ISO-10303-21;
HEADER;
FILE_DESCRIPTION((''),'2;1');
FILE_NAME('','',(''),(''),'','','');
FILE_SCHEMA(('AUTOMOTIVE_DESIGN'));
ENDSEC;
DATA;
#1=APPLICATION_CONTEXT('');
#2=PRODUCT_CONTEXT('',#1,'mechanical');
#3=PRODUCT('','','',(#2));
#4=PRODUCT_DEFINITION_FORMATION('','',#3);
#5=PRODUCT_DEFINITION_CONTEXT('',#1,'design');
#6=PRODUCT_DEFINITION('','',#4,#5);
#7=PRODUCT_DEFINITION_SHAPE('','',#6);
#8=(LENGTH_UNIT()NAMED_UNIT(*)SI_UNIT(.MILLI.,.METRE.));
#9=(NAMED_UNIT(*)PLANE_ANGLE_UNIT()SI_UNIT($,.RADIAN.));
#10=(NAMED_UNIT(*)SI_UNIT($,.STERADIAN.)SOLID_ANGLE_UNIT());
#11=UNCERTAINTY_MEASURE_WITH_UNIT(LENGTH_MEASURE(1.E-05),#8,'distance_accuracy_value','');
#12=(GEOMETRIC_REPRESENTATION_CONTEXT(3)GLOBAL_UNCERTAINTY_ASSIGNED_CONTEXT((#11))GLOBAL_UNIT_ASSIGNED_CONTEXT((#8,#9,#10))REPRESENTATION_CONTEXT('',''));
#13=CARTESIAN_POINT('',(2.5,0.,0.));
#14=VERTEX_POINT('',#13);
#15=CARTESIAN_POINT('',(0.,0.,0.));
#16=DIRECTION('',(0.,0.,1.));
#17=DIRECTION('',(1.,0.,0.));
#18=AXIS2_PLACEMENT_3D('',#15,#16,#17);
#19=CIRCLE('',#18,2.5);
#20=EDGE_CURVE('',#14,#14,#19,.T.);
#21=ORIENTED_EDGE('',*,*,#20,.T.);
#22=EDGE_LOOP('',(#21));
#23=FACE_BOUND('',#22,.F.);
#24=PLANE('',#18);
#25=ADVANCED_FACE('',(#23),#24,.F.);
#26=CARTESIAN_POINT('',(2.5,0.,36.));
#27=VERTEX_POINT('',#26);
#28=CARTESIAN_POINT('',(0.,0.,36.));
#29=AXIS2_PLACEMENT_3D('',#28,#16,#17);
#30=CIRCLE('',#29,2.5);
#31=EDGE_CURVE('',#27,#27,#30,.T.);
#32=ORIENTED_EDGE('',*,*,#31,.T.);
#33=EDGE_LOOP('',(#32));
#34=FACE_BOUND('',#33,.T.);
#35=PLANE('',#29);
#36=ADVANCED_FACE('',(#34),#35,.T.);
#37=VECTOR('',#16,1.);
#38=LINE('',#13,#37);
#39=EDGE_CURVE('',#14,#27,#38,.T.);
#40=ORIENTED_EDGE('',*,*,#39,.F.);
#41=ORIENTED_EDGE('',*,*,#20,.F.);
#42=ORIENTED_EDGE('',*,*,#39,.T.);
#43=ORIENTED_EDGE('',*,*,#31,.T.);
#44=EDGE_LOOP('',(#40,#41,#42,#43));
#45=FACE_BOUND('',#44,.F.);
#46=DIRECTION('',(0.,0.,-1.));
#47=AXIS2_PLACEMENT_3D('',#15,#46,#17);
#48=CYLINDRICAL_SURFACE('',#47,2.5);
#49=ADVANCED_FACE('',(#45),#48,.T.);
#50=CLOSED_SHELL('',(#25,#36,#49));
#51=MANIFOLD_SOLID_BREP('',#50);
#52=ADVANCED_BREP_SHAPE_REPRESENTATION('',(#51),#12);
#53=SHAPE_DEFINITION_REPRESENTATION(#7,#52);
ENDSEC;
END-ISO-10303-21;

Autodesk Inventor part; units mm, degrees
ref_plane "YZ Plane" through (0, 0, 0) normal (1, 0, 0) x (0, 1, 0)
ref_plane "XZ Plane" through (0, 0, 0) normal (0, 1, 0) x (-1, 0, 0)
ref_plane "XY Plane" through (0, 0, 0) normal (0, 0, 1) x (1, 0, 0)
sketch "Boceto1" plane through (0, 0, 0) normal (0, 0, 1) x (1, 0, 0)
  circle A0 centre (0, 0) radius 2.5
  dimension "d0" = 5
extrude "Extrusión1" add sketch "Boceto1" along normal blind 36
properties part number "pin5largo"
